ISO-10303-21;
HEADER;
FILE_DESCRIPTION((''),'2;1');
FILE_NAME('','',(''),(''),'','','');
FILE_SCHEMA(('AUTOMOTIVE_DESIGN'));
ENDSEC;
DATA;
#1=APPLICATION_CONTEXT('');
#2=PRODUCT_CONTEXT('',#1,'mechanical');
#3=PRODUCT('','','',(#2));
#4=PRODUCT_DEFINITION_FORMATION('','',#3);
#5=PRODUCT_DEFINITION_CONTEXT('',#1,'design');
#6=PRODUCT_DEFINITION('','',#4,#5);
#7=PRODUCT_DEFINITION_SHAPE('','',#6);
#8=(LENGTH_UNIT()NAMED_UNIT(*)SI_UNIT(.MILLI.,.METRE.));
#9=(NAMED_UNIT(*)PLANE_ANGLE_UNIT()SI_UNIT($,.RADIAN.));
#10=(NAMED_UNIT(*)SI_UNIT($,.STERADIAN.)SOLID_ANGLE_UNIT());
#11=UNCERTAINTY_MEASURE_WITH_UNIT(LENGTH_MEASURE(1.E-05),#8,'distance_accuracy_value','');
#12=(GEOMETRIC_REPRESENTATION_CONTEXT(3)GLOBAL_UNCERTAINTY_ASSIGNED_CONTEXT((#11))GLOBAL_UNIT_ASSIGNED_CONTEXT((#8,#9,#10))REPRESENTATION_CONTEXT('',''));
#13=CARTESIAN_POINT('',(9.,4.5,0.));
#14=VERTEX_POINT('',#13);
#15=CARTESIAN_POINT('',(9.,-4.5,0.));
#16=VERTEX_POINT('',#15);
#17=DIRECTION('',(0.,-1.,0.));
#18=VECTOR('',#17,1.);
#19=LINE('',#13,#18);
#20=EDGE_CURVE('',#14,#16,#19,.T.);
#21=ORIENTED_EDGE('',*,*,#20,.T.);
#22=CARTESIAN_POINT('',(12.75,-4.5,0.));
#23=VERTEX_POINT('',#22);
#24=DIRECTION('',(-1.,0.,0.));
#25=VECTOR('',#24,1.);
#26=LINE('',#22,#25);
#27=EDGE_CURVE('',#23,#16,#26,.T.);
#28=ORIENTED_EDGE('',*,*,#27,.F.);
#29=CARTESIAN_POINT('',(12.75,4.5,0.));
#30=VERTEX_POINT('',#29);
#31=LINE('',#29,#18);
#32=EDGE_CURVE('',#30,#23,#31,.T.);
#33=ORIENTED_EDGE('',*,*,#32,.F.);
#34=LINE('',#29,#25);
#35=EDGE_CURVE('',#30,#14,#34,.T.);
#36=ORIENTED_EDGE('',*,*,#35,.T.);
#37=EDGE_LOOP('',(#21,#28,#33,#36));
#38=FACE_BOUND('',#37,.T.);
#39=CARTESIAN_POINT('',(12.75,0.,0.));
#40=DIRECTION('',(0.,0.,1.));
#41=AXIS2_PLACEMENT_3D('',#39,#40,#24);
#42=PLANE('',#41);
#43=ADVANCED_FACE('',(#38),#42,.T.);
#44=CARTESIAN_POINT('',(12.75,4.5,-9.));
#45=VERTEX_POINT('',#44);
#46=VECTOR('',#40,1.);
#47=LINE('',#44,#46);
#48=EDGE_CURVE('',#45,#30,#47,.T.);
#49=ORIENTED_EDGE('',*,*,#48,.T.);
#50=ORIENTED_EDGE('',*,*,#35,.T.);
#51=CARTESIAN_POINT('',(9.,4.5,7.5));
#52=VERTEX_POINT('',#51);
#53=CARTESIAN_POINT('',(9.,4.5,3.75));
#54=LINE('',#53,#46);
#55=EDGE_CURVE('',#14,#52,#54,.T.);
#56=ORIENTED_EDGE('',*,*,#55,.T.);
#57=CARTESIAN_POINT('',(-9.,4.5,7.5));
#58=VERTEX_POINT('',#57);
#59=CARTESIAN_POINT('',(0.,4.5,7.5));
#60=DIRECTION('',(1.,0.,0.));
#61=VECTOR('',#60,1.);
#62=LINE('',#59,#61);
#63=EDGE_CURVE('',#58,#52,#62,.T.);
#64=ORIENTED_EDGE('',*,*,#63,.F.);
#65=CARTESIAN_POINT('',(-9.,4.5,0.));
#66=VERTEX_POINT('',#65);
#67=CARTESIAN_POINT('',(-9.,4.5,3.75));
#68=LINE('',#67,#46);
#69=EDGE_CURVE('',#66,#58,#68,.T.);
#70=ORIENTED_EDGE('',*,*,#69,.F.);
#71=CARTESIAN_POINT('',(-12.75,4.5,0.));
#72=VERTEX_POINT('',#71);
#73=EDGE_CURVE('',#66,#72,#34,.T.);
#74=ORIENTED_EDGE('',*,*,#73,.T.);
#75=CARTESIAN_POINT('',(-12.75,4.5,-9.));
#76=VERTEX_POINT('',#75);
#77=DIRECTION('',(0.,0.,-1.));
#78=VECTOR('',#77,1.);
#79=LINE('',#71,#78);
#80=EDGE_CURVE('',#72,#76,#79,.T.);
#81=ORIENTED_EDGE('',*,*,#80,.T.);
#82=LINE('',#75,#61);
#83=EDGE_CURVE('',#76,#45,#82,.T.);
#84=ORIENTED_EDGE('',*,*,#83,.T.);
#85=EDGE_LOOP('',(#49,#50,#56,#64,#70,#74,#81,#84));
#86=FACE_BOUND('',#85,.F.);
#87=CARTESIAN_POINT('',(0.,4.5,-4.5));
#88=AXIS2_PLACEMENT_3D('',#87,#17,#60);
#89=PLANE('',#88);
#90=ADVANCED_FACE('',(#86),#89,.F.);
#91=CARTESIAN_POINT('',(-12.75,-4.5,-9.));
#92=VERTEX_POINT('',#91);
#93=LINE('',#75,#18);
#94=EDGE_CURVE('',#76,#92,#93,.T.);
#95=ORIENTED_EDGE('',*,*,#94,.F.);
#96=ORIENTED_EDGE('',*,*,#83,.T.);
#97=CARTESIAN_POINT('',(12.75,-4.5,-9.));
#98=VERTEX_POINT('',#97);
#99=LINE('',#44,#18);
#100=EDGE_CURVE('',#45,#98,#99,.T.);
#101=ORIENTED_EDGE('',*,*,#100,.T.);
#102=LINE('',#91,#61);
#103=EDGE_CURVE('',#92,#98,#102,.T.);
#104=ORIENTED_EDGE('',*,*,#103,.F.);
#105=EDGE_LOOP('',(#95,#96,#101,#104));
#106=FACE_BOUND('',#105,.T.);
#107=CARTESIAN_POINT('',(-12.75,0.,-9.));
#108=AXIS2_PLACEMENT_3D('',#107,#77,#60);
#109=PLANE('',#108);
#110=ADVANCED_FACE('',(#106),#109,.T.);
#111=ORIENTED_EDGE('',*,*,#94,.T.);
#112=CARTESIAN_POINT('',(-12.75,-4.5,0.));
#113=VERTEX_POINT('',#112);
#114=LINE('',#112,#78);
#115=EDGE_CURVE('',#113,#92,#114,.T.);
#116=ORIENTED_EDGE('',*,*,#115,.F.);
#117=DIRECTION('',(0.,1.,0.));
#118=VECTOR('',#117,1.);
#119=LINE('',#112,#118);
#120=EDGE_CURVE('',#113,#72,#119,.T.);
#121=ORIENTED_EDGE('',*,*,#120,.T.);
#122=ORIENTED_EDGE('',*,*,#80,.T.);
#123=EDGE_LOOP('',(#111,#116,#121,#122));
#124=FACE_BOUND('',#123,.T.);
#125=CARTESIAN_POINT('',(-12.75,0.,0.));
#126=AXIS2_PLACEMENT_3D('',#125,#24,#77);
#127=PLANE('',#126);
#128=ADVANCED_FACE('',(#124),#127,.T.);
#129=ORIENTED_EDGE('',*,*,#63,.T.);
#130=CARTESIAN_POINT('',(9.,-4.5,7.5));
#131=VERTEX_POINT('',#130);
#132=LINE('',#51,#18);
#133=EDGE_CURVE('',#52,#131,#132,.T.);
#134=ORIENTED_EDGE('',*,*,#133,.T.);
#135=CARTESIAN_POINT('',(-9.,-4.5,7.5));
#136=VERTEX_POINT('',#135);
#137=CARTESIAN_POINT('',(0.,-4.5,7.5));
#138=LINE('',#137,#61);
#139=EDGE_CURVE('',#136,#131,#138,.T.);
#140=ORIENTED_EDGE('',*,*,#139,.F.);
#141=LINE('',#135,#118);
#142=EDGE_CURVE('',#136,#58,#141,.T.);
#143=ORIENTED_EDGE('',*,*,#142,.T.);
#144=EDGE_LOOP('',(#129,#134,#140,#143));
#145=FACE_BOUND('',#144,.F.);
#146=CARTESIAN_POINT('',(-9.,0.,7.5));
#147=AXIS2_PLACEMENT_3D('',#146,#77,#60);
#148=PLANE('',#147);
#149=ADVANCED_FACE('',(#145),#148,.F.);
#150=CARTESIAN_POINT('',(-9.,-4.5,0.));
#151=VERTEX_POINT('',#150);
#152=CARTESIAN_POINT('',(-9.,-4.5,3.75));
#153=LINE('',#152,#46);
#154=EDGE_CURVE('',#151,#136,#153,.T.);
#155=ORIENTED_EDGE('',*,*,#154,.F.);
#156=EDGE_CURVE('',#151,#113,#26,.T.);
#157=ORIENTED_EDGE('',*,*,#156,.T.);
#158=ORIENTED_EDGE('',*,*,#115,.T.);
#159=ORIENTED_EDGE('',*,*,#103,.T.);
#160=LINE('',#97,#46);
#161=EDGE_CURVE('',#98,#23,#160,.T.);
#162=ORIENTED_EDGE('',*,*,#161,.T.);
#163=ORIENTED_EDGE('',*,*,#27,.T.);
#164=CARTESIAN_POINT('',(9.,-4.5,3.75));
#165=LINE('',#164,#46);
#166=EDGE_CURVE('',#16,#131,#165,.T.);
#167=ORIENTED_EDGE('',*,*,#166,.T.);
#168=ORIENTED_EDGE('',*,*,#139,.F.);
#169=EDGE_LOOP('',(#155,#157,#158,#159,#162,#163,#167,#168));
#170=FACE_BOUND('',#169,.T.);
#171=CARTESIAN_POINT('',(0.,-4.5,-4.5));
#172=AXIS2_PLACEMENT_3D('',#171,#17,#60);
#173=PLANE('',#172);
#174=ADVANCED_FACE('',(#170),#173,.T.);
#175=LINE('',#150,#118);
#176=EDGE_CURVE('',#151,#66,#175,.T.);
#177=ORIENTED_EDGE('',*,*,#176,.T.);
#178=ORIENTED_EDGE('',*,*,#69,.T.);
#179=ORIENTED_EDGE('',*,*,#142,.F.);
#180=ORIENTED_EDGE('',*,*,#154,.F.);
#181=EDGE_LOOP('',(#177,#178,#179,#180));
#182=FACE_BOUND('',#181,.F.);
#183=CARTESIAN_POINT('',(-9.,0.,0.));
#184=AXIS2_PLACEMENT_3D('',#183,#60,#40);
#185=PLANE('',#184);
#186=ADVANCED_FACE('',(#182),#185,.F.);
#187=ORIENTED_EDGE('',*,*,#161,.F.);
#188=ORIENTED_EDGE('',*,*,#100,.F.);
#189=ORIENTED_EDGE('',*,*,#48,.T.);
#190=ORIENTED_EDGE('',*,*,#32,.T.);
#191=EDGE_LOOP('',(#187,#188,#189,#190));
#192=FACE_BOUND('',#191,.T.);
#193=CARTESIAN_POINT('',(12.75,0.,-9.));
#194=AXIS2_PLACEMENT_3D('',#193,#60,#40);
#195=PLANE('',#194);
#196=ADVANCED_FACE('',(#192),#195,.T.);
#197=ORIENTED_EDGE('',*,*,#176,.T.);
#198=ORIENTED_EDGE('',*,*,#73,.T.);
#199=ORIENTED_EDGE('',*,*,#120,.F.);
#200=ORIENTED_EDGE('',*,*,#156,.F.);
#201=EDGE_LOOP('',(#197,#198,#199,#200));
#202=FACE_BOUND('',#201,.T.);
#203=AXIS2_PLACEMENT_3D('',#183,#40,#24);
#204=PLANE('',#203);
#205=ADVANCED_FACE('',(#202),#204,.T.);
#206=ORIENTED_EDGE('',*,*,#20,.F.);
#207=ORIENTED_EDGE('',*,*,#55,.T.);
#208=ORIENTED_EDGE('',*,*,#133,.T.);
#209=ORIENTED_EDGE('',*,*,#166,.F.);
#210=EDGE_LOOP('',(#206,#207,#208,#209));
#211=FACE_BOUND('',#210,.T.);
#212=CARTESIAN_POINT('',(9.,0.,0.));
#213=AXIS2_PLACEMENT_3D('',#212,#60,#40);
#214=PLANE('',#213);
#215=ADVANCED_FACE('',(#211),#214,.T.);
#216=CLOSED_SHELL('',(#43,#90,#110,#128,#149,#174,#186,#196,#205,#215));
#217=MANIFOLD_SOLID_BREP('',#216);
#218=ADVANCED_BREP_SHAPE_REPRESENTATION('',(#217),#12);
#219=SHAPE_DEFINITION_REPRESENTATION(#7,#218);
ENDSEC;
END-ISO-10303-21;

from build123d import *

# Parameters (mm, degrees)
F0_W     = 1.2
F0_H     = 0.5
F1_DEPTH = 0.3
F2_SCALE = 15


with BuildPart() as f1:
    # F0 (on Front) → F1 (new body, symmetric)
    with BuildSketch(Plane.XZ):
        Polygon((-0.6, 0), (-0.85, 0), (-0.85, -0.6), (0.85, -0.6), (0.85, 0), (0.6, 0), align=None)
        with Locations((0, 0.25)):
            Rectangle(F0_W, F0_H)
    extrude(amount=F1_DEPTH, both=True)


with BuildPart() as f1_1:
    # F2: moved
    add(f1.part.scale(F2_SCALE))


solid = f1_1.part
